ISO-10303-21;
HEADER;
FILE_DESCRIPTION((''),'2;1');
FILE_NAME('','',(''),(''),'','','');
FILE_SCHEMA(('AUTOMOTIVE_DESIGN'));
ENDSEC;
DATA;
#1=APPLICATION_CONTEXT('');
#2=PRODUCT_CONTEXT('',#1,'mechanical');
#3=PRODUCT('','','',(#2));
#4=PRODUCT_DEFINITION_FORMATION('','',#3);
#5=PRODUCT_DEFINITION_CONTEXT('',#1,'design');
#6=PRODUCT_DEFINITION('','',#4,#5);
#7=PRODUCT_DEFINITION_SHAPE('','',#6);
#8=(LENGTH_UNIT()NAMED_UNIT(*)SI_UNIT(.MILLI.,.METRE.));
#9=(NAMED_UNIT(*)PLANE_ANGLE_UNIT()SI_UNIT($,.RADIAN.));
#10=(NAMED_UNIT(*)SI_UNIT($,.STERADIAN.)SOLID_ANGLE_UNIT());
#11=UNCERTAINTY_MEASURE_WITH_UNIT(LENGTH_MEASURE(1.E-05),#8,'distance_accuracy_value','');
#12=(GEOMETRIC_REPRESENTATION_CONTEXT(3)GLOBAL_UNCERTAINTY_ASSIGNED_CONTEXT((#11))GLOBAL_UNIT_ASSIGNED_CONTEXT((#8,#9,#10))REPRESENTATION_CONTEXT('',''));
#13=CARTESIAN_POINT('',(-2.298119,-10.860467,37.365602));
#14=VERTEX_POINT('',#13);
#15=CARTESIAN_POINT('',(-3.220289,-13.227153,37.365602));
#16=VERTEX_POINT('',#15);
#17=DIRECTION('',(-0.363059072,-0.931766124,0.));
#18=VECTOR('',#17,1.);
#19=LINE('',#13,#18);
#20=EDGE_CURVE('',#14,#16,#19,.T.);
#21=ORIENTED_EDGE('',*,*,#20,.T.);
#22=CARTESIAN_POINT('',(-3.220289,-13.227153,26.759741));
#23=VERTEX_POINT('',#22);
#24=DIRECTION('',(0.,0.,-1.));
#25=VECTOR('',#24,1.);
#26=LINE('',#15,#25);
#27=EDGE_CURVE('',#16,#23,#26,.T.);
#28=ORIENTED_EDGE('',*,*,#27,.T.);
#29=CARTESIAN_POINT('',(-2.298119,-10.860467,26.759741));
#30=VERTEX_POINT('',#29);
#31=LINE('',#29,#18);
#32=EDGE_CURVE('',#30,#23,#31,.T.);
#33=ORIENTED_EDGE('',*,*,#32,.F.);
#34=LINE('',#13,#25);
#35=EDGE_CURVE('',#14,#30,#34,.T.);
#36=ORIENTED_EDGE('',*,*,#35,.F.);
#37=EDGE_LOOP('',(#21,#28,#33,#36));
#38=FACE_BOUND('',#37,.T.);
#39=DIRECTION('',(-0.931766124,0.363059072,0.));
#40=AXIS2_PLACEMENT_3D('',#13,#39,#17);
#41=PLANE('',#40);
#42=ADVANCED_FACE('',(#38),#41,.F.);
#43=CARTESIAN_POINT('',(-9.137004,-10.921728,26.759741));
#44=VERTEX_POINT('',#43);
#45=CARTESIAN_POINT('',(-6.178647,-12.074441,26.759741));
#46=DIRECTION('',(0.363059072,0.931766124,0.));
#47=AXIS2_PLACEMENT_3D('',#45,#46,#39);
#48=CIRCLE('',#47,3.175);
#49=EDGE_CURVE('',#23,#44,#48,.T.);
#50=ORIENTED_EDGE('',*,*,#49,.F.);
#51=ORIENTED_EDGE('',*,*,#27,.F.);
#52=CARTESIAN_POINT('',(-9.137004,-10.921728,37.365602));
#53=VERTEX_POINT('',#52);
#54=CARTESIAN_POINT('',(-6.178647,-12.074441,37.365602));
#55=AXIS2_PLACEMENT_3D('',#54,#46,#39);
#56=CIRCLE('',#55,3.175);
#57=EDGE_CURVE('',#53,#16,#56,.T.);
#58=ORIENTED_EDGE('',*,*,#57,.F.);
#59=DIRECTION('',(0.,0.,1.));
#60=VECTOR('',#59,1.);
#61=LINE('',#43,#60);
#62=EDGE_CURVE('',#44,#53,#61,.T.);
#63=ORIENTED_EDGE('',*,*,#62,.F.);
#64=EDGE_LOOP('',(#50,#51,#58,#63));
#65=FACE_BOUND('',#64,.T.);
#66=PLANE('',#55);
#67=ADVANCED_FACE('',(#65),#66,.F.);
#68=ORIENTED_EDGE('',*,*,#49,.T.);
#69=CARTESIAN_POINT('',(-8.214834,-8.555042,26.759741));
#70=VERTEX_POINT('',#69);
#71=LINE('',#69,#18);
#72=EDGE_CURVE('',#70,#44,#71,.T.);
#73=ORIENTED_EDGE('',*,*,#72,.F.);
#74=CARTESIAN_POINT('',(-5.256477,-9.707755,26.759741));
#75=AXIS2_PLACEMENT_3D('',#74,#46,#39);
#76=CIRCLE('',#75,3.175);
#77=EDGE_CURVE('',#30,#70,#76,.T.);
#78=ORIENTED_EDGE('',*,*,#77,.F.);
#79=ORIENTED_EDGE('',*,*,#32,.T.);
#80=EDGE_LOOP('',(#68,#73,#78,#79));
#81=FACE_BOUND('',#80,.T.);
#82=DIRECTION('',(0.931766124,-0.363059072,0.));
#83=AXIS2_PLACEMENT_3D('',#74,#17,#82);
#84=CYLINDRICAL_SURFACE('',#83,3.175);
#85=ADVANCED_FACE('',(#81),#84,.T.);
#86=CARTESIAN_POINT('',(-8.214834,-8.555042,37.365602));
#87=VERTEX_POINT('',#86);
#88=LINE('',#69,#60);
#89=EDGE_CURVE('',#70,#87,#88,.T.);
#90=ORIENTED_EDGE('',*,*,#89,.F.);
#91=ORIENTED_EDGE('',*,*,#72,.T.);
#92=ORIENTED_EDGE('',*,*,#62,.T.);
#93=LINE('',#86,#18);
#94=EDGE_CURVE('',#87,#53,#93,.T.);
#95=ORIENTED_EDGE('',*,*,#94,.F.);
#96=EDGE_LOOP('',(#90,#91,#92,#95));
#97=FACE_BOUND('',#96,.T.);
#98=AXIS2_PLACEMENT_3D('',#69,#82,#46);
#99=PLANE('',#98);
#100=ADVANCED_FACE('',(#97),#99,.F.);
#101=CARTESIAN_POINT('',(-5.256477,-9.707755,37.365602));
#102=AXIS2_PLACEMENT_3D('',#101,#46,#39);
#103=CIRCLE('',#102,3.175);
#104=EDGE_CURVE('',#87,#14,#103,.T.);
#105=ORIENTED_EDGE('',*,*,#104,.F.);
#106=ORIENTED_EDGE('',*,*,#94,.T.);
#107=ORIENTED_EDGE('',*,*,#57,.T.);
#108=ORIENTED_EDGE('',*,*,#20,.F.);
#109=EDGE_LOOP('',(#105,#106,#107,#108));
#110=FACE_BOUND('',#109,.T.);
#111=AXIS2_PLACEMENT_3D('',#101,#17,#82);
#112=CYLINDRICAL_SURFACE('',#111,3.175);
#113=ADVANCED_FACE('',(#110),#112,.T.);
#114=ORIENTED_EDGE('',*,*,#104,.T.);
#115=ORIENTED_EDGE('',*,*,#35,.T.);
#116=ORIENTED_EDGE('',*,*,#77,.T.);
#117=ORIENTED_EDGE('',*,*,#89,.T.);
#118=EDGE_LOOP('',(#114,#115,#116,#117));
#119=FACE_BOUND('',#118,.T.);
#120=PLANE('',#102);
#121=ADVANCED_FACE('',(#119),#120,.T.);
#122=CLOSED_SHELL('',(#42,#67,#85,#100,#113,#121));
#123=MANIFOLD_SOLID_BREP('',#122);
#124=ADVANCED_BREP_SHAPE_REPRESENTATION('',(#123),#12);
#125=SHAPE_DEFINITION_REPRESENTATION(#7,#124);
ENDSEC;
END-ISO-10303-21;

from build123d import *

# Parameters (mm, degrees)
BOSS_EXTRUDE1_DEPTH = 2.54


with BuildPart() as part:
    # Sketch1 → Boss-Extrude1 (new body)
    with BuildSketch(Plane(origin=(-4.89903509, -12.573036438, 0), x_dir=(0.9317661243126444, -0.3630590717547129, 0), z_dir=(0.36305907175471297, 0.9317661243126445, 0))):
        with BuildLine():
            Line((1.801681512, -37.365601905), (1.801681512, -26.759740984))
            ThreePointArc((1.801681512, -26.759740984), (-1.373318488, -23.584740984), (-4.548318488, -26.759740984))
            Line((-4.548318488, -26.759740984), (-4.548318488, -37.365601905))
            ThreePointArc((-4.548318488, -37.365601905), (-1.373318488, -40.540601905), (1.801681512, -37.365601905))
        make_face()
    extrude(amount=BOSS_EXTRUDE1_DEPTH)


solid = part.part
